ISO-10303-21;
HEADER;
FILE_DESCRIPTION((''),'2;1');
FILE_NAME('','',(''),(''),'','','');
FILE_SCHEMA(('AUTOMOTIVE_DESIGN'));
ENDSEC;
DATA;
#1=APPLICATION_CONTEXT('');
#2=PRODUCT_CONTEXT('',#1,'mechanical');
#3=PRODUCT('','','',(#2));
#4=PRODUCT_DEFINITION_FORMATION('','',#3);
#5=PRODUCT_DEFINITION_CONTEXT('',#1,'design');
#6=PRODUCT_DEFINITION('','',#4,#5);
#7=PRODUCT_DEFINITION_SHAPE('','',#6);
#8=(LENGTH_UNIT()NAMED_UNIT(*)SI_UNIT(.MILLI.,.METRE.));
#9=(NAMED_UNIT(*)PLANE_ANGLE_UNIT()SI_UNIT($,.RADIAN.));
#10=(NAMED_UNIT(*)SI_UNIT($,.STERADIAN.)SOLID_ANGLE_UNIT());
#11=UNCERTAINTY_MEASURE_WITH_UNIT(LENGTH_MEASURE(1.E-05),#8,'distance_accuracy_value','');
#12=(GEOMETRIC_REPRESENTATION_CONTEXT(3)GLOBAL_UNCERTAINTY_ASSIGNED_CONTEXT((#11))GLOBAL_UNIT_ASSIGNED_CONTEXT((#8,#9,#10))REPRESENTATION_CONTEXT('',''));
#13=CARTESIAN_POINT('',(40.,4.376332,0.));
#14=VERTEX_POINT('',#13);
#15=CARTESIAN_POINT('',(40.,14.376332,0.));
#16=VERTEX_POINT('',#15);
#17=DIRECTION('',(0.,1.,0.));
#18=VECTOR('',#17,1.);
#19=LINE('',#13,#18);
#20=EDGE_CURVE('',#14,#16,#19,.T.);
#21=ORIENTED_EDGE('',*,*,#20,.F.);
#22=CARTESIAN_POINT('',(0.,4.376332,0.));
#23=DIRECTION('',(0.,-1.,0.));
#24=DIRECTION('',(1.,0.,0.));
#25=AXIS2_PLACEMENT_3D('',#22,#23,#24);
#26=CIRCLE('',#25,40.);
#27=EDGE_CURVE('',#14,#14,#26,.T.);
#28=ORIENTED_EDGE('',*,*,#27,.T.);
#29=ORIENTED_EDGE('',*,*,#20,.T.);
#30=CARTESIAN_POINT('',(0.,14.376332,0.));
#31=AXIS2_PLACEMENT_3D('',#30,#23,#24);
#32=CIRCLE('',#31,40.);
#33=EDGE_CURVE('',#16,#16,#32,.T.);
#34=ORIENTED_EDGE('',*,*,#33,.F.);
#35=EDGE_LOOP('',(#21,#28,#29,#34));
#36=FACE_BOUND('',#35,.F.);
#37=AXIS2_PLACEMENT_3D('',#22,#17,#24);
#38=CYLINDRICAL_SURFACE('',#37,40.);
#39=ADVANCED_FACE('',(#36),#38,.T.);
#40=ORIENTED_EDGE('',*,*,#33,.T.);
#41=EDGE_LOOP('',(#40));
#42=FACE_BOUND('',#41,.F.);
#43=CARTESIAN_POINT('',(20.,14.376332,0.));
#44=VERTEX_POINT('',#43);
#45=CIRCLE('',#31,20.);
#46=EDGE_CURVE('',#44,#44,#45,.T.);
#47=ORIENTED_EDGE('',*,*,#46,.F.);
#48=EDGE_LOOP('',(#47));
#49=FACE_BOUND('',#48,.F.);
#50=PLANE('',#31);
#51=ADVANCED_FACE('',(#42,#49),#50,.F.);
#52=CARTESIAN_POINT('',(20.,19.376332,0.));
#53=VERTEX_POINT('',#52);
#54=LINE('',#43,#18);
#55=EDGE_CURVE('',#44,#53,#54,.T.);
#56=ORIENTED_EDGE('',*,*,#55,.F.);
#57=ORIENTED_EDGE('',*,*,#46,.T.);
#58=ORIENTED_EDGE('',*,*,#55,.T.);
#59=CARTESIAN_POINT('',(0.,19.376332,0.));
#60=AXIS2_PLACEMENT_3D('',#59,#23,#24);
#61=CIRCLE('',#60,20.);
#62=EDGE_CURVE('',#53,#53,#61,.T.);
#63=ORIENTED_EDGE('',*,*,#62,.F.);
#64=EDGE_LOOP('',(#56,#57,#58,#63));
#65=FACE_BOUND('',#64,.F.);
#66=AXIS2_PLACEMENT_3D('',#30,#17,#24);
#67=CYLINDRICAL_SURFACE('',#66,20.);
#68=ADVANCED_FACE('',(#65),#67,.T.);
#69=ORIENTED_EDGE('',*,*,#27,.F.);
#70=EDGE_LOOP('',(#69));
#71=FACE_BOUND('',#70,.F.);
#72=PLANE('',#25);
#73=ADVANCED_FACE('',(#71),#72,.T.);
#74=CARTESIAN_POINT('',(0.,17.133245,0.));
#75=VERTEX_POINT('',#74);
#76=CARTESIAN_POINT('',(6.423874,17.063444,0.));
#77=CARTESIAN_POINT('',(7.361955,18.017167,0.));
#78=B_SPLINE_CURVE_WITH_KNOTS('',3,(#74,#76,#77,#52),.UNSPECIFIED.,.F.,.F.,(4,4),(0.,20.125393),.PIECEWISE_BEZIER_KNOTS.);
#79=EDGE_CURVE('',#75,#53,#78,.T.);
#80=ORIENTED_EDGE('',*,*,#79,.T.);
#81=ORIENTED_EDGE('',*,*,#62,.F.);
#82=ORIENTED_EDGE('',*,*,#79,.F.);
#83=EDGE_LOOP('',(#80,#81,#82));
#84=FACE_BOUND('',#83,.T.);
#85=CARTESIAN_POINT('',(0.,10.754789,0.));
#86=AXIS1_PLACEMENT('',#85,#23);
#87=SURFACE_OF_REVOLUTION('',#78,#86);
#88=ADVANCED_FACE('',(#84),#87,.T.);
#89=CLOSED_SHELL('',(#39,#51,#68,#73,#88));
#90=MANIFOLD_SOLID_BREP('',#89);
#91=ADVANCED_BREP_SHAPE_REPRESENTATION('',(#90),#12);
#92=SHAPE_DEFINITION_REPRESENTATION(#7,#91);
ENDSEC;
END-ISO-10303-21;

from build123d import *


with BuildPart() as f1:
    # F0 (on Top) → F1 (revolve)
    with BuildSketch(Plane.XY):
        with BuildLine():
            add(Edge.make_bspline(
                [(0, 17.133245), (6.423874, 17.063444), (7.361955, 18.017167), (20, 19.376332)],
                knots=[0, 0, 0, 0, 20.125393, 20.125393, 20.125393, 20.125393], degree=3))
            Line((0, 17.133245), (0, 4.376332))
            Line((0, 4.376332), (40, 4.376332))
            Line((40, 4.376332), (40, 14.376332))
            Line((40, 14.376332), (20, 14.376332))
            Line((20, 14.376332), (20, 19.376332))
        make_face()
    revolve(axis=Axis((0, 10.754789, 0), (0, -1, 0)))


solid = f1.part
